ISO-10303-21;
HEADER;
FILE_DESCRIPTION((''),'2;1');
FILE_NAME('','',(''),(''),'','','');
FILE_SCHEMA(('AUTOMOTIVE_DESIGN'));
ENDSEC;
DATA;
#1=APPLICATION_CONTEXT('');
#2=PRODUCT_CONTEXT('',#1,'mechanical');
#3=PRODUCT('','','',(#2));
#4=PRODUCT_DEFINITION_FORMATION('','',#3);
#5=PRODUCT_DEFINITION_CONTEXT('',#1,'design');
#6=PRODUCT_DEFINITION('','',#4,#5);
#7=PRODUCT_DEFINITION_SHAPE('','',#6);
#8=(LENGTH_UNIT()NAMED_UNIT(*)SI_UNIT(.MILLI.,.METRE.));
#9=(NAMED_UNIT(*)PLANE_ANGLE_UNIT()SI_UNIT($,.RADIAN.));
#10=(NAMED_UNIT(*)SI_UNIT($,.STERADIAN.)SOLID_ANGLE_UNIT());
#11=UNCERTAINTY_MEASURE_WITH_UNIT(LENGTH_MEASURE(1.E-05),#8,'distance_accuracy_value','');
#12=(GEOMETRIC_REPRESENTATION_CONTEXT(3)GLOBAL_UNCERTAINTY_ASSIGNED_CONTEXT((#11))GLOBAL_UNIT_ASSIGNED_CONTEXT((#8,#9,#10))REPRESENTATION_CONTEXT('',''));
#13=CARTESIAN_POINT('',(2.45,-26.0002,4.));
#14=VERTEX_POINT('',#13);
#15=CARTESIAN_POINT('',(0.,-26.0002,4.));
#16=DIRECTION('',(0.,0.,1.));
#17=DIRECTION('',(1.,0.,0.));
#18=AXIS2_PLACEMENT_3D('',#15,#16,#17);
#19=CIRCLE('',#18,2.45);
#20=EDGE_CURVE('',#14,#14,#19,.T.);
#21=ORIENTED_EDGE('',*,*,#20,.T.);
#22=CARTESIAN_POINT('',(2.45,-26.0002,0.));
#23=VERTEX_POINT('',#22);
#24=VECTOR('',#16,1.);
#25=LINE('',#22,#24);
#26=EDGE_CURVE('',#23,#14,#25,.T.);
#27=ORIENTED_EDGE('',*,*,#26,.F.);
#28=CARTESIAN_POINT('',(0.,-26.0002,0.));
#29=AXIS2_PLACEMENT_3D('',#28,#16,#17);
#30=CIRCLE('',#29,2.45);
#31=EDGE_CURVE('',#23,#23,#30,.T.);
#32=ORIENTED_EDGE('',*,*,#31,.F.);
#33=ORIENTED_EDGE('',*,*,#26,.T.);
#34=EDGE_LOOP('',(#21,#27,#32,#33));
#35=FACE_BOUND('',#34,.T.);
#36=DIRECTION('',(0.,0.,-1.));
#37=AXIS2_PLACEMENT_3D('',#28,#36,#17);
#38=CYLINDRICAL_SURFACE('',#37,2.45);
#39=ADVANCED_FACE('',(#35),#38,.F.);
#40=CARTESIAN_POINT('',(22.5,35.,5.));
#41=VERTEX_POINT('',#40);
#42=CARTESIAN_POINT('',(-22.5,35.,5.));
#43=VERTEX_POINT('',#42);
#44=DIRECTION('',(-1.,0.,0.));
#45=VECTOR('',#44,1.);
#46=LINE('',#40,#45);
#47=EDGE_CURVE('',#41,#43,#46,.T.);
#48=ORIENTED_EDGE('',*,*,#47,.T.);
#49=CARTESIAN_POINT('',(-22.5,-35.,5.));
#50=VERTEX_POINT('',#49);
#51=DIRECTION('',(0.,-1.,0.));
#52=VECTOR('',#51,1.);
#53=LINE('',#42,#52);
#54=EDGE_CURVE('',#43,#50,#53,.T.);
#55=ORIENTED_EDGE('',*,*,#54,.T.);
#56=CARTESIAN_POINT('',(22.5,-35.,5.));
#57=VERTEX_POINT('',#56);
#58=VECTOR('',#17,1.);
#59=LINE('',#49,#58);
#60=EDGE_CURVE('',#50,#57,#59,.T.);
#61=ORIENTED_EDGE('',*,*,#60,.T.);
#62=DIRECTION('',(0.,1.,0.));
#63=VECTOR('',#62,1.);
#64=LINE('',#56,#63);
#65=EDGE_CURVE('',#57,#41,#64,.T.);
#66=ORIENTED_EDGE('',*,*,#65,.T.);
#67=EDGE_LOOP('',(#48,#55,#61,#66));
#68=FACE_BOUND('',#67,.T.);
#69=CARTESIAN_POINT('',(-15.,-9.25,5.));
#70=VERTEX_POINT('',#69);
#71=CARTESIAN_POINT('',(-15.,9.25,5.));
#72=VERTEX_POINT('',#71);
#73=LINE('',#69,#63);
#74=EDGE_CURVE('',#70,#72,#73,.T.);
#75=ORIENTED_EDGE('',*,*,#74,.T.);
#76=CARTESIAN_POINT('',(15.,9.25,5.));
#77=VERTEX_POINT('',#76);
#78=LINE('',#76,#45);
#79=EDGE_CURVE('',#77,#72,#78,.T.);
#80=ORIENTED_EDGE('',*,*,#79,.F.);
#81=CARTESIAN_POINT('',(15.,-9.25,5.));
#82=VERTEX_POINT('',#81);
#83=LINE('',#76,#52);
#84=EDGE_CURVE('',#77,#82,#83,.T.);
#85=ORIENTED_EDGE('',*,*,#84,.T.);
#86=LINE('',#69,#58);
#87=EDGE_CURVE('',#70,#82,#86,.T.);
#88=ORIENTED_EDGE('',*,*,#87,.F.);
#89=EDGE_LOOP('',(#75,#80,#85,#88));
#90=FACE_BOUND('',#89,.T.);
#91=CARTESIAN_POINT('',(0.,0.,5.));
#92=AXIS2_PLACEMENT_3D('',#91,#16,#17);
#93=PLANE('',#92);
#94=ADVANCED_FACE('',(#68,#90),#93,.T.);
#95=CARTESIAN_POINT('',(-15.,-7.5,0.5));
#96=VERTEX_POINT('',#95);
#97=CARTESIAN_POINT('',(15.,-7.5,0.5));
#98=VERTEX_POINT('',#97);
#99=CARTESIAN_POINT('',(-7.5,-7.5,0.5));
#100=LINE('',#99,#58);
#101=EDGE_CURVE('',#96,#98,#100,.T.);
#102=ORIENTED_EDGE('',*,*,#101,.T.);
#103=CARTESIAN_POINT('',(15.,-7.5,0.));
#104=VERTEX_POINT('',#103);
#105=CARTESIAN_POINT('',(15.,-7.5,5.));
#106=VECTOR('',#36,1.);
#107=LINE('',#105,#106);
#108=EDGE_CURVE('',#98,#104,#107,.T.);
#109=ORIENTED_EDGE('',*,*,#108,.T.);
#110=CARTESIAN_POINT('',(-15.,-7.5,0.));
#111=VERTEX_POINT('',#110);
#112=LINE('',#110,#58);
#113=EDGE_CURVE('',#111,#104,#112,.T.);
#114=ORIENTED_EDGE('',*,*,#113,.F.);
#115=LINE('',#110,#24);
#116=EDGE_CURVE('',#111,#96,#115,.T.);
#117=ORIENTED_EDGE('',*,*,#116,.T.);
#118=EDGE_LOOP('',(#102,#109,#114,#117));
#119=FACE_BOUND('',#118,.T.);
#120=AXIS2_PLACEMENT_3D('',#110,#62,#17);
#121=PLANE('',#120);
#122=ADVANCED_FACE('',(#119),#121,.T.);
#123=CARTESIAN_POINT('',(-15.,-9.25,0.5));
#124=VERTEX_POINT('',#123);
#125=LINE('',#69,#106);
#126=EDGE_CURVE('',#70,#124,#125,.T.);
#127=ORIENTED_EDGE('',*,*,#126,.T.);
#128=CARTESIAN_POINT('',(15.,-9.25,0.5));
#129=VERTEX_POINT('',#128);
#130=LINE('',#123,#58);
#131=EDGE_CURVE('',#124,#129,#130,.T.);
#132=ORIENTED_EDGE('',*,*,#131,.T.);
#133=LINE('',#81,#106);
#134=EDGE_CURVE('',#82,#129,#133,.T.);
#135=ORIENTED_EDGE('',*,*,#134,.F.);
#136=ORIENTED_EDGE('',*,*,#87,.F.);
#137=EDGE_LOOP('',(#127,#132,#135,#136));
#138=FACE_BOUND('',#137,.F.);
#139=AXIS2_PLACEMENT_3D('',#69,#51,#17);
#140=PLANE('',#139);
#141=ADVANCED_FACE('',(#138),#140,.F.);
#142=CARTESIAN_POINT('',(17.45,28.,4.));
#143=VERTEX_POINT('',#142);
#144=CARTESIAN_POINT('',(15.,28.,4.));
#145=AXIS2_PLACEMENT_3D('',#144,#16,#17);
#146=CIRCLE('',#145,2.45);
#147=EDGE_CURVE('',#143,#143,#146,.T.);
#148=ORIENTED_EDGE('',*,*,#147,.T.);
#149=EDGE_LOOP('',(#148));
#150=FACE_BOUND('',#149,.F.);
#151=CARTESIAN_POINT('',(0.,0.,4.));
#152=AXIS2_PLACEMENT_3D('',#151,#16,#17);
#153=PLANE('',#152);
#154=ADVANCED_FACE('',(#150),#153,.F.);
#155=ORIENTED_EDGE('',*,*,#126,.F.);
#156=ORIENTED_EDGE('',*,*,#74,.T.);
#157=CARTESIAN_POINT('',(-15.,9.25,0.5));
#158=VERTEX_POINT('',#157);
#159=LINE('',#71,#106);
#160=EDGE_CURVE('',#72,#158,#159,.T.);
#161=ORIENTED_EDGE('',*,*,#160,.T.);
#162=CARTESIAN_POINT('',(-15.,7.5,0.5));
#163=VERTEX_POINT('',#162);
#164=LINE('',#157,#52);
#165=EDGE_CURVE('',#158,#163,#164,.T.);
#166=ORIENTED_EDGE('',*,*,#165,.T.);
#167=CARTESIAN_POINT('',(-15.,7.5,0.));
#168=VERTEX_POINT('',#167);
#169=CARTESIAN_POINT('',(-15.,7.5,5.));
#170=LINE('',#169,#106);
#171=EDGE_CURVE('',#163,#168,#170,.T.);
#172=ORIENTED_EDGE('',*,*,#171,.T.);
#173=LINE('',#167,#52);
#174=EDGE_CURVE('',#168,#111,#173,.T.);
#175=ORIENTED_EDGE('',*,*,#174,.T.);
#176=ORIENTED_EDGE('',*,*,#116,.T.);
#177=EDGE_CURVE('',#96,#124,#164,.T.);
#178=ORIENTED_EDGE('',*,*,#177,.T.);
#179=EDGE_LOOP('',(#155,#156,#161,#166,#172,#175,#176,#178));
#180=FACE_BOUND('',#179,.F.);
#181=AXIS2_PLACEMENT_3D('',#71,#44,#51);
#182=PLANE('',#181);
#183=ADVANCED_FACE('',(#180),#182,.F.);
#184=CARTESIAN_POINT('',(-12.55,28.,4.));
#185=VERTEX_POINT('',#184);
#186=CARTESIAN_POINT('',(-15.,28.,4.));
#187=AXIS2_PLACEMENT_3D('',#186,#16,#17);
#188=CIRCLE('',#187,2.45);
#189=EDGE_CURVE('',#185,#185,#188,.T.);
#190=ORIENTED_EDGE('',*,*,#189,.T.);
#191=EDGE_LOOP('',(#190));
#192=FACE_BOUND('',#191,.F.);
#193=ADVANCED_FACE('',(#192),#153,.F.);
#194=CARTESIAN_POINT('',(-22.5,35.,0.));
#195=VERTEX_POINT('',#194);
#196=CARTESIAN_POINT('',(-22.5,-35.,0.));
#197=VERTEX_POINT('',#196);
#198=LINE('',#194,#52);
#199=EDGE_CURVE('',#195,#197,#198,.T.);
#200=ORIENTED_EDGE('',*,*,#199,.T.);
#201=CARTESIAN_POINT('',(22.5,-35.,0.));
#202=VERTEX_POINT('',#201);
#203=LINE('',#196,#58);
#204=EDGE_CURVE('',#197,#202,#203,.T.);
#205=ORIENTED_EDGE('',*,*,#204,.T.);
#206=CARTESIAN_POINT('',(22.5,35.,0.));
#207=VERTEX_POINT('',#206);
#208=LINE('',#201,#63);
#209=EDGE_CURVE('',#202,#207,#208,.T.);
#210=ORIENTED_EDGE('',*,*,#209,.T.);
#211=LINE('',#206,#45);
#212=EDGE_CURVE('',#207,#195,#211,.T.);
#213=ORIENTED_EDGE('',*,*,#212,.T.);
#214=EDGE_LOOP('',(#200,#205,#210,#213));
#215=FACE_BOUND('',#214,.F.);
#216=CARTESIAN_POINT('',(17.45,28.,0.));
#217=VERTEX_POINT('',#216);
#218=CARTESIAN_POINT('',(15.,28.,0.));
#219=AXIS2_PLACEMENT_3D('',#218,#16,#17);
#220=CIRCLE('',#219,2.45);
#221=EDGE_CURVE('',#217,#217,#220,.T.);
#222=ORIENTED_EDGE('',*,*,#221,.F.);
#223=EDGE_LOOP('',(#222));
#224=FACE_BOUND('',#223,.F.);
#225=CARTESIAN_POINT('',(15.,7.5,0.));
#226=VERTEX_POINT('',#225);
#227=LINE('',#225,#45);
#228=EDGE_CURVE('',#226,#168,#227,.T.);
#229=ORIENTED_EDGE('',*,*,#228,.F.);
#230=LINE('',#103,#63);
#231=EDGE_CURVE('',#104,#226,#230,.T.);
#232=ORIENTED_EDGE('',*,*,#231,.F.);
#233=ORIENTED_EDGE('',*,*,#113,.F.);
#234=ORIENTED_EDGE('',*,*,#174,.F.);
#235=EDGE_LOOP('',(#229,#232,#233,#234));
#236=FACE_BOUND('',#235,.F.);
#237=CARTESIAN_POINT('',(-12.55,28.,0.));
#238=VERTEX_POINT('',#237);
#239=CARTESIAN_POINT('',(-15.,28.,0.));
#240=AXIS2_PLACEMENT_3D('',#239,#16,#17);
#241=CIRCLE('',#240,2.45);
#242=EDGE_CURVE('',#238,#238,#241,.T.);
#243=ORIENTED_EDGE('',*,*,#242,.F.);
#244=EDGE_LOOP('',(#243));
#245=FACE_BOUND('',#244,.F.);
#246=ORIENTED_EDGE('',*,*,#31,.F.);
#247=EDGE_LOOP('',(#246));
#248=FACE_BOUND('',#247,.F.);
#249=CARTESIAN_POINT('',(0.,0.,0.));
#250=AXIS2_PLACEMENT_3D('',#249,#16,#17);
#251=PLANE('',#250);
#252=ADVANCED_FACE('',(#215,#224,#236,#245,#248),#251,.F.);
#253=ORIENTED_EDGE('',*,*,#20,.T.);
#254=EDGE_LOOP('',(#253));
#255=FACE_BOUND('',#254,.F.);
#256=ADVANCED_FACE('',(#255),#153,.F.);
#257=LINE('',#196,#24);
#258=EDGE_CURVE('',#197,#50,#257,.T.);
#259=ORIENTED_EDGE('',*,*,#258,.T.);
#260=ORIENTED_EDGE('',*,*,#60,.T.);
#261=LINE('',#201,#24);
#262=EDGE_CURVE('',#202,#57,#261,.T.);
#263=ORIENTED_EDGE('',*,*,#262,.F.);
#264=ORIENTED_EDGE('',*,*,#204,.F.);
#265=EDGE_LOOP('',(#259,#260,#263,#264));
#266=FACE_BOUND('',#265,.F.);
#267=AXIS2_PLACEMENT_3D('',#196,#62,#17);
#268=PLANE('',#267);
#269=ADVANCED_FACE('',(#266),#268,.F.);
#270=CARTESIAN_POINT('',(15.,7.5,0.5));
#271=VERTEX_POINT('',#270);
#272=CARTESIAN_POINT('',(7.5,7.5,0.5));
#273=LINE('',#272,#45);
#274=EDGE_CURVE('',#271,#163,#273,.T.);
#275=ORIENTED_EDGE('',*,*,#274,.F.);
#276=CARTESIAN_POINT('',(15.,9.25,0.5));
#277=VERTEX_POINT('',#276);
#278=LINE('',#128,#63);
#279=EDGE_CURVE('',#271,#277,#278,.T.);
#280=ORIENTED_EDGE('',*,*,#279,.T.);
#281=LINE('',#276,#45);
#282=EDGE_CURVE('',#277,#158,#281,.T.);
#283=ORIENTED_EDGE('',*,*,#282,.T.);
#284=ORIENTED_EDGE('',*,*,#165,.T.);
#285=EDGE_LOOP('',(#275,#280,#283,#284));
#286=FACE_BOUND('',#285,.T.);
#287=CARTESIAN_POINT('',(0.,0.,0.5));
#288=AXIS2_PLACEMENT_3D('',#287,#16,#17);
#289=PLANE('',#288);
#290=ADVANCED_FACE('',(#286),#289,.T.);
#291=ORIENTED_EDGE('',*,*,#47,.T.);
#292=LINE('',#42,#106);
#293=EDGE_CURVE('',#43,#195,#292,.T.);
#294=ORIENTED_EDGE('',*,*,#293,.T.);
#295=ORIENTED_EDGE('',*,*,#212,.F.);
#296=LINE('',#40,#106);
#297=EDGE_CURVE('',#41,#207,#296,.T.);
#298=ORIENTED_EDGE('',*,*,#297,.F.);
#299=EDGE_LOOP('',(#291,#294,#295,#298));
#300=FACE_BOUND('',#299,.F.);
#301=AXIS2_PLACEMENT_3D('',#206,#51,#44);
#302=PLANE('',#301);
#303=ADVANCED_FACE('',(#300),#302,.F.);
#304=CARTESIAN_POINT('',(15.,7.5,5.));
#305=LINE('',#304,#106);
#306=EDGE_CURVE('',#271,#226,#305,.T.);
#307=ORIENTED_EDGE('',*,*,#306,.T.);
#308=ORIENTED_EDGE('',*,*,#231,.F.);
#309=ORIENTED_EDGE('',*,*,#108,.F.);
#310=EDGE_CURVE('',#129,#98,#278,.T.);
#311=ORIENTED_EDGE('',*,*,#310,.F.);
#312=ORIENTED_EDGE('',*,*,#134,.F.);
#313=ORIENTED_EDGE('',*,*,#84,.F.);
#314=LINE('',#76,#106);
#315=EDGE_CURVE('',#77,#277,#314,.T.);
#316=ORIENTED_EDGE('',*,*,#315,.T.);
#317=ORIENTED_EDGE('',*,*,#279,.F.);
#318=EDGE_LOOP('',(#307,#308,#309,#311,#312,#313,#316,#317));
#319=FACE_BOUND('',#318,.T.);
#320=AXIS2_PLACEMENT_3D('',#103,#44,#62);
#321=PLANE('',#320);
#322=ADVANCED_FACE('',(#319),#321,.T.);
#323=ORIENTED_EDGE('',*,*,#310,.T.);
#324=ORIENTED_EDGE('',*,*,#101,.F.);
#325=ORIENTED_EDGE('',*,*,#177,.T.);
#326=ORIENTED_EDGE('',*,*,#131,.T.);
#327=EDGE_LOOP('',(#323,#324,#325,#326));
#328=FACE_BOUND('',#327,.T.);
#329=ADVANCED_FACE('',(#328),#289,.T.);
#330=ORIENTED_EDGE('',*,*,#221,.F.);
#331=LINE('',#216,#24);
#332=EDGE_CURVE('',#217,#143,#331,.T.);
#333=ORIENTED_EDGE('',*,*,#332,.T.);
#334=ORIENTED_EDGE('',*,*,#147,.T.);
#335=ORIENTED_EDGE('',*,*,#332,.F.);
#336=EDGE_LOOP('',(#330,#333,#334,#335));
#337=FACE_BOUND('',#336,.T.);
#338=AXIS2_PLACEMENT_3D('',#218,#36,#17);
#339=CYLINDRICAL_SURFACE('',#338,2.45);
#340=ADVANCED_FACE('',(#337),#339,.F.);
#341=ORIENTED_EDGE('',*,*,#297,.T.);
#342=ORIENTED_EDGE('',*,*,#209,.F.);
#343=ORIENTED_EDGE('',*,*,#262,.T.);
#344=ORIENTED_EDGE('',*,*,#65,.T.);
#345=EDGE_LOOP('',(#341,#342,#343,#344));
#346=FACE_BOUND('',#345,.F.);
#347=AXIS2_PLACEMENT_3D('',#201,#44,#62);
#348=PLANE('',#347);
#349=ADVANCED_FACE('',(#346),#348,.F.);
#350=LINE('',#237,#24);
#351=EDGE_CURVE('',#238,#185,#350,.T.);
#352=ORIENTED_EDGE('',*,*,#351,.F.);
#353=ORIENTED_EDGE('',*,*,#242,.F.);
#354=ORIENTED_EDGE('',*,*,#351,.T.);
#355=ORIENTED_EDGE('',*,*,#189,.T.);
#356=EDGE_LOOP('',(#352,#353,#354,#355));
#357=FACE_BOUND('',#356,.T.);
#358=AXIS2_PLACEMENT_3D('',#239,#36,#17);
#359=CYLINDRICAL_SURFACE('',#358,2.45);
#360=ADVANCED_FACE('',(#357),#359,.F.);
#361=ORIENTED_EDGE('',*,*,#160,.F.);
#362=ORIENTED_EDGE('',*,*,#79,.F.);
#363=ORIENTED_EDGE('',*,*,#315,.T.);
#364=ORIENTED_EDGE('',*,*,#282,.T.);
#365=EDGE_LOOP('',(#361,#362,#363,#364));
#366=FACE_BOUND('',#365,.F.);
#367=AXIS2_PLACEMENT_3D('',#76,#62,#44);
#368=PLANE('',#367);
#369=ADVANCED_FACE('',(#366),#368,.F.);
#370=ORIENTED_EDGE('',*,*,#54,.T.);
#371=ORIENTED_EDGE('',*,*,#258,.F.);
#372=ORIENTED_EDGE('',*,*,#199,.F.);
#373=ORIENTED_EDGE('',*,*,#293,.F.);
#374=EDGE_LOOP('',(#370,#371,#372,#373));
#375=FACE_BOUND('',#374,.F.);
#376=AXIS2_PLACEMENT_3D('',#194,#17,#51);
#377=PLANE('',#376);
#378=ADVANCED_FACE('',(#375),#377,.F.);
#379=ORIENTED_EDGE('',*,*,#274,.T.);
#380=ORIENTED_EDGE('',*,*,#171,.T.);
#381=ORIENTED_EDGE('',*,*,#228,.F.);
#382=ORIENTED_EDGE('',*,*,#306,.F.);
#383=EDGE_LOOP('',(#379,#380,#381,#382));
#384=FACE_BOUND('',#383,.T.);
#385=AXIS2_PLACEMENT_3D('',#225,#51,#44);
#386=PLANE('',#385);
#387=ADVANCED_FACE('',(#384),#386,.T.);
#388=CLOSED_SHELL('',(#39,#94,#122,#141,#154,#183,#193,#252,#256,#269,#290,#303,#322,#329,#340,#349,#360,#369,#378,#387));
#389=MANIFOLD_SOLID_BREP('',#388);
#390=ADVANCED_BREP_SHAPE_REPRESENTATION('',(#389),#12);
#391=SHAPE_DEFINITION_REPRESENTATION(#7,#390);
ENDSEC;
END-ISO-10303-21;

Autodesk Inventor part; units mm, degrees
ref_plane "YZ Plane" through (0, 0, 0) normal (1, 0, 0) x (0, 1, 0)
ref_plane "XZ Plane" through (0, 0, 0) normal (0, 1, 0) x (-1, 0, 0)
ref_plane "XY Plane" through (0, 0, 0) normal (0, 0, 1) x (1, 0, 0)
ref_plane "Work Plane1" through (0, 0, 0) normal (0, 0, 1) x (1, 0, 0)
sketch "Sketch1" plane through (0, 0, 0) normal (0, 0, 1) x (1, 0, 0)
  circle A0 centre (15, 28) radius 2.45 projected
  circle A1 centre (-15, 28) radius 2.45 projected
  circle A2 centre (0, -26.0002) radius 2.45 projected
  line L0 (-22.5, -35) -> (22.5, -35)
  line L1 (22.5, -35) -> (22.5, 35)
  line L2 (22.5, 35) -> (-22.5, 35)
  line L3 (-22.5, 35) -> (-22.5, -35)
  line L4 (-22.5, -35) -> (22.5, 35) construction
  line L5 (22.5, -35) -> (-22.5, 35) construction
  line L6 (-15, -7.5) -> (15, -7.5)
  line L7 (15, -7.5) -> (15, 7.5)
  line L8 (15, 7.5) -> (-15, 7.5)
  line L9 (-15, 7.5) -> (-15, -7.5)
  line L10 (-15, -7.5) -> (15, 7.5) construction
  line L11 (15, -7.5) -> (-15, 7.5) construction
  point P0 (0, 0)
  dimension "d0" = 45
  dimension "d1" = 70
  dimension "d2" = 30
  dimension "d3" = 15
extrude "Extrusion1" add sketch "Sketch1" along normal blind 4
sketch "Sketch2" plane through (0, 0, 4) normal (0, 0, 1) x (1, 0, 0)
  point P0 (0, 0)
sketch "Sketch3" plane through (0, 0, 4) normal (0, 0, 1) x (1, 0, 0)
  line L0 (-15, -7.5) -> (-15, 7.5) projected
  line L1 (-15, 7.5) -> (15, 7.5) projected
  line L2 (15, 7.5) -> (15, -7.5) projected
  line L3 (15, -7.5) -> (-15, -7.5) projected
  circle A0 centre (0, -26.0002) radius 2.45 projected
  circle A1 centre (-15, 28) radius 2.45 projected
  circle A2 centre (15, 28) radius 2.45 projected
  line L4 (-22.5, -35) -> (22.5, -35) projected
  line L5 (22.5, -35) -> (22.5, 35) projected
  line L6 (22.5, 35) -> (-22.5, 35) projected
  line L7 (-22.5, 35) -> (-22.5, -35) projected
  point P0 (0, 0)
extrude "Extrusion2" add sketch "Sketch3" along normal blind 1 contours A0 | A1 | A2 | L7 L6 L5 L4
sketch "Sketch4" plane through (0, 0, 5) normal (0, 0, 1) x (1, 0, 0)
  line L0 (-15, -9.25) -> (15, -9.25)
  line L1 (15, -9.25) -> (15, 9.25)
  line L2 (15, 9.25) -> (-15, 9.25)
  line L3 (-15, 9.25) -> (-15, -9.25)
  line L4 (-15, -9.25) -> (15, 9.25) construction
  line L5 (15, -9.25) -> (-15, 9.25) construction
  point P0 (0, 0)
  dimension "d8" = 30
  dimension "d9" = 18.5
extrude "Extrusion3" cut sketch "Sketch4" against normal blind 4.5
properties part number "03_MountCoverslip"
